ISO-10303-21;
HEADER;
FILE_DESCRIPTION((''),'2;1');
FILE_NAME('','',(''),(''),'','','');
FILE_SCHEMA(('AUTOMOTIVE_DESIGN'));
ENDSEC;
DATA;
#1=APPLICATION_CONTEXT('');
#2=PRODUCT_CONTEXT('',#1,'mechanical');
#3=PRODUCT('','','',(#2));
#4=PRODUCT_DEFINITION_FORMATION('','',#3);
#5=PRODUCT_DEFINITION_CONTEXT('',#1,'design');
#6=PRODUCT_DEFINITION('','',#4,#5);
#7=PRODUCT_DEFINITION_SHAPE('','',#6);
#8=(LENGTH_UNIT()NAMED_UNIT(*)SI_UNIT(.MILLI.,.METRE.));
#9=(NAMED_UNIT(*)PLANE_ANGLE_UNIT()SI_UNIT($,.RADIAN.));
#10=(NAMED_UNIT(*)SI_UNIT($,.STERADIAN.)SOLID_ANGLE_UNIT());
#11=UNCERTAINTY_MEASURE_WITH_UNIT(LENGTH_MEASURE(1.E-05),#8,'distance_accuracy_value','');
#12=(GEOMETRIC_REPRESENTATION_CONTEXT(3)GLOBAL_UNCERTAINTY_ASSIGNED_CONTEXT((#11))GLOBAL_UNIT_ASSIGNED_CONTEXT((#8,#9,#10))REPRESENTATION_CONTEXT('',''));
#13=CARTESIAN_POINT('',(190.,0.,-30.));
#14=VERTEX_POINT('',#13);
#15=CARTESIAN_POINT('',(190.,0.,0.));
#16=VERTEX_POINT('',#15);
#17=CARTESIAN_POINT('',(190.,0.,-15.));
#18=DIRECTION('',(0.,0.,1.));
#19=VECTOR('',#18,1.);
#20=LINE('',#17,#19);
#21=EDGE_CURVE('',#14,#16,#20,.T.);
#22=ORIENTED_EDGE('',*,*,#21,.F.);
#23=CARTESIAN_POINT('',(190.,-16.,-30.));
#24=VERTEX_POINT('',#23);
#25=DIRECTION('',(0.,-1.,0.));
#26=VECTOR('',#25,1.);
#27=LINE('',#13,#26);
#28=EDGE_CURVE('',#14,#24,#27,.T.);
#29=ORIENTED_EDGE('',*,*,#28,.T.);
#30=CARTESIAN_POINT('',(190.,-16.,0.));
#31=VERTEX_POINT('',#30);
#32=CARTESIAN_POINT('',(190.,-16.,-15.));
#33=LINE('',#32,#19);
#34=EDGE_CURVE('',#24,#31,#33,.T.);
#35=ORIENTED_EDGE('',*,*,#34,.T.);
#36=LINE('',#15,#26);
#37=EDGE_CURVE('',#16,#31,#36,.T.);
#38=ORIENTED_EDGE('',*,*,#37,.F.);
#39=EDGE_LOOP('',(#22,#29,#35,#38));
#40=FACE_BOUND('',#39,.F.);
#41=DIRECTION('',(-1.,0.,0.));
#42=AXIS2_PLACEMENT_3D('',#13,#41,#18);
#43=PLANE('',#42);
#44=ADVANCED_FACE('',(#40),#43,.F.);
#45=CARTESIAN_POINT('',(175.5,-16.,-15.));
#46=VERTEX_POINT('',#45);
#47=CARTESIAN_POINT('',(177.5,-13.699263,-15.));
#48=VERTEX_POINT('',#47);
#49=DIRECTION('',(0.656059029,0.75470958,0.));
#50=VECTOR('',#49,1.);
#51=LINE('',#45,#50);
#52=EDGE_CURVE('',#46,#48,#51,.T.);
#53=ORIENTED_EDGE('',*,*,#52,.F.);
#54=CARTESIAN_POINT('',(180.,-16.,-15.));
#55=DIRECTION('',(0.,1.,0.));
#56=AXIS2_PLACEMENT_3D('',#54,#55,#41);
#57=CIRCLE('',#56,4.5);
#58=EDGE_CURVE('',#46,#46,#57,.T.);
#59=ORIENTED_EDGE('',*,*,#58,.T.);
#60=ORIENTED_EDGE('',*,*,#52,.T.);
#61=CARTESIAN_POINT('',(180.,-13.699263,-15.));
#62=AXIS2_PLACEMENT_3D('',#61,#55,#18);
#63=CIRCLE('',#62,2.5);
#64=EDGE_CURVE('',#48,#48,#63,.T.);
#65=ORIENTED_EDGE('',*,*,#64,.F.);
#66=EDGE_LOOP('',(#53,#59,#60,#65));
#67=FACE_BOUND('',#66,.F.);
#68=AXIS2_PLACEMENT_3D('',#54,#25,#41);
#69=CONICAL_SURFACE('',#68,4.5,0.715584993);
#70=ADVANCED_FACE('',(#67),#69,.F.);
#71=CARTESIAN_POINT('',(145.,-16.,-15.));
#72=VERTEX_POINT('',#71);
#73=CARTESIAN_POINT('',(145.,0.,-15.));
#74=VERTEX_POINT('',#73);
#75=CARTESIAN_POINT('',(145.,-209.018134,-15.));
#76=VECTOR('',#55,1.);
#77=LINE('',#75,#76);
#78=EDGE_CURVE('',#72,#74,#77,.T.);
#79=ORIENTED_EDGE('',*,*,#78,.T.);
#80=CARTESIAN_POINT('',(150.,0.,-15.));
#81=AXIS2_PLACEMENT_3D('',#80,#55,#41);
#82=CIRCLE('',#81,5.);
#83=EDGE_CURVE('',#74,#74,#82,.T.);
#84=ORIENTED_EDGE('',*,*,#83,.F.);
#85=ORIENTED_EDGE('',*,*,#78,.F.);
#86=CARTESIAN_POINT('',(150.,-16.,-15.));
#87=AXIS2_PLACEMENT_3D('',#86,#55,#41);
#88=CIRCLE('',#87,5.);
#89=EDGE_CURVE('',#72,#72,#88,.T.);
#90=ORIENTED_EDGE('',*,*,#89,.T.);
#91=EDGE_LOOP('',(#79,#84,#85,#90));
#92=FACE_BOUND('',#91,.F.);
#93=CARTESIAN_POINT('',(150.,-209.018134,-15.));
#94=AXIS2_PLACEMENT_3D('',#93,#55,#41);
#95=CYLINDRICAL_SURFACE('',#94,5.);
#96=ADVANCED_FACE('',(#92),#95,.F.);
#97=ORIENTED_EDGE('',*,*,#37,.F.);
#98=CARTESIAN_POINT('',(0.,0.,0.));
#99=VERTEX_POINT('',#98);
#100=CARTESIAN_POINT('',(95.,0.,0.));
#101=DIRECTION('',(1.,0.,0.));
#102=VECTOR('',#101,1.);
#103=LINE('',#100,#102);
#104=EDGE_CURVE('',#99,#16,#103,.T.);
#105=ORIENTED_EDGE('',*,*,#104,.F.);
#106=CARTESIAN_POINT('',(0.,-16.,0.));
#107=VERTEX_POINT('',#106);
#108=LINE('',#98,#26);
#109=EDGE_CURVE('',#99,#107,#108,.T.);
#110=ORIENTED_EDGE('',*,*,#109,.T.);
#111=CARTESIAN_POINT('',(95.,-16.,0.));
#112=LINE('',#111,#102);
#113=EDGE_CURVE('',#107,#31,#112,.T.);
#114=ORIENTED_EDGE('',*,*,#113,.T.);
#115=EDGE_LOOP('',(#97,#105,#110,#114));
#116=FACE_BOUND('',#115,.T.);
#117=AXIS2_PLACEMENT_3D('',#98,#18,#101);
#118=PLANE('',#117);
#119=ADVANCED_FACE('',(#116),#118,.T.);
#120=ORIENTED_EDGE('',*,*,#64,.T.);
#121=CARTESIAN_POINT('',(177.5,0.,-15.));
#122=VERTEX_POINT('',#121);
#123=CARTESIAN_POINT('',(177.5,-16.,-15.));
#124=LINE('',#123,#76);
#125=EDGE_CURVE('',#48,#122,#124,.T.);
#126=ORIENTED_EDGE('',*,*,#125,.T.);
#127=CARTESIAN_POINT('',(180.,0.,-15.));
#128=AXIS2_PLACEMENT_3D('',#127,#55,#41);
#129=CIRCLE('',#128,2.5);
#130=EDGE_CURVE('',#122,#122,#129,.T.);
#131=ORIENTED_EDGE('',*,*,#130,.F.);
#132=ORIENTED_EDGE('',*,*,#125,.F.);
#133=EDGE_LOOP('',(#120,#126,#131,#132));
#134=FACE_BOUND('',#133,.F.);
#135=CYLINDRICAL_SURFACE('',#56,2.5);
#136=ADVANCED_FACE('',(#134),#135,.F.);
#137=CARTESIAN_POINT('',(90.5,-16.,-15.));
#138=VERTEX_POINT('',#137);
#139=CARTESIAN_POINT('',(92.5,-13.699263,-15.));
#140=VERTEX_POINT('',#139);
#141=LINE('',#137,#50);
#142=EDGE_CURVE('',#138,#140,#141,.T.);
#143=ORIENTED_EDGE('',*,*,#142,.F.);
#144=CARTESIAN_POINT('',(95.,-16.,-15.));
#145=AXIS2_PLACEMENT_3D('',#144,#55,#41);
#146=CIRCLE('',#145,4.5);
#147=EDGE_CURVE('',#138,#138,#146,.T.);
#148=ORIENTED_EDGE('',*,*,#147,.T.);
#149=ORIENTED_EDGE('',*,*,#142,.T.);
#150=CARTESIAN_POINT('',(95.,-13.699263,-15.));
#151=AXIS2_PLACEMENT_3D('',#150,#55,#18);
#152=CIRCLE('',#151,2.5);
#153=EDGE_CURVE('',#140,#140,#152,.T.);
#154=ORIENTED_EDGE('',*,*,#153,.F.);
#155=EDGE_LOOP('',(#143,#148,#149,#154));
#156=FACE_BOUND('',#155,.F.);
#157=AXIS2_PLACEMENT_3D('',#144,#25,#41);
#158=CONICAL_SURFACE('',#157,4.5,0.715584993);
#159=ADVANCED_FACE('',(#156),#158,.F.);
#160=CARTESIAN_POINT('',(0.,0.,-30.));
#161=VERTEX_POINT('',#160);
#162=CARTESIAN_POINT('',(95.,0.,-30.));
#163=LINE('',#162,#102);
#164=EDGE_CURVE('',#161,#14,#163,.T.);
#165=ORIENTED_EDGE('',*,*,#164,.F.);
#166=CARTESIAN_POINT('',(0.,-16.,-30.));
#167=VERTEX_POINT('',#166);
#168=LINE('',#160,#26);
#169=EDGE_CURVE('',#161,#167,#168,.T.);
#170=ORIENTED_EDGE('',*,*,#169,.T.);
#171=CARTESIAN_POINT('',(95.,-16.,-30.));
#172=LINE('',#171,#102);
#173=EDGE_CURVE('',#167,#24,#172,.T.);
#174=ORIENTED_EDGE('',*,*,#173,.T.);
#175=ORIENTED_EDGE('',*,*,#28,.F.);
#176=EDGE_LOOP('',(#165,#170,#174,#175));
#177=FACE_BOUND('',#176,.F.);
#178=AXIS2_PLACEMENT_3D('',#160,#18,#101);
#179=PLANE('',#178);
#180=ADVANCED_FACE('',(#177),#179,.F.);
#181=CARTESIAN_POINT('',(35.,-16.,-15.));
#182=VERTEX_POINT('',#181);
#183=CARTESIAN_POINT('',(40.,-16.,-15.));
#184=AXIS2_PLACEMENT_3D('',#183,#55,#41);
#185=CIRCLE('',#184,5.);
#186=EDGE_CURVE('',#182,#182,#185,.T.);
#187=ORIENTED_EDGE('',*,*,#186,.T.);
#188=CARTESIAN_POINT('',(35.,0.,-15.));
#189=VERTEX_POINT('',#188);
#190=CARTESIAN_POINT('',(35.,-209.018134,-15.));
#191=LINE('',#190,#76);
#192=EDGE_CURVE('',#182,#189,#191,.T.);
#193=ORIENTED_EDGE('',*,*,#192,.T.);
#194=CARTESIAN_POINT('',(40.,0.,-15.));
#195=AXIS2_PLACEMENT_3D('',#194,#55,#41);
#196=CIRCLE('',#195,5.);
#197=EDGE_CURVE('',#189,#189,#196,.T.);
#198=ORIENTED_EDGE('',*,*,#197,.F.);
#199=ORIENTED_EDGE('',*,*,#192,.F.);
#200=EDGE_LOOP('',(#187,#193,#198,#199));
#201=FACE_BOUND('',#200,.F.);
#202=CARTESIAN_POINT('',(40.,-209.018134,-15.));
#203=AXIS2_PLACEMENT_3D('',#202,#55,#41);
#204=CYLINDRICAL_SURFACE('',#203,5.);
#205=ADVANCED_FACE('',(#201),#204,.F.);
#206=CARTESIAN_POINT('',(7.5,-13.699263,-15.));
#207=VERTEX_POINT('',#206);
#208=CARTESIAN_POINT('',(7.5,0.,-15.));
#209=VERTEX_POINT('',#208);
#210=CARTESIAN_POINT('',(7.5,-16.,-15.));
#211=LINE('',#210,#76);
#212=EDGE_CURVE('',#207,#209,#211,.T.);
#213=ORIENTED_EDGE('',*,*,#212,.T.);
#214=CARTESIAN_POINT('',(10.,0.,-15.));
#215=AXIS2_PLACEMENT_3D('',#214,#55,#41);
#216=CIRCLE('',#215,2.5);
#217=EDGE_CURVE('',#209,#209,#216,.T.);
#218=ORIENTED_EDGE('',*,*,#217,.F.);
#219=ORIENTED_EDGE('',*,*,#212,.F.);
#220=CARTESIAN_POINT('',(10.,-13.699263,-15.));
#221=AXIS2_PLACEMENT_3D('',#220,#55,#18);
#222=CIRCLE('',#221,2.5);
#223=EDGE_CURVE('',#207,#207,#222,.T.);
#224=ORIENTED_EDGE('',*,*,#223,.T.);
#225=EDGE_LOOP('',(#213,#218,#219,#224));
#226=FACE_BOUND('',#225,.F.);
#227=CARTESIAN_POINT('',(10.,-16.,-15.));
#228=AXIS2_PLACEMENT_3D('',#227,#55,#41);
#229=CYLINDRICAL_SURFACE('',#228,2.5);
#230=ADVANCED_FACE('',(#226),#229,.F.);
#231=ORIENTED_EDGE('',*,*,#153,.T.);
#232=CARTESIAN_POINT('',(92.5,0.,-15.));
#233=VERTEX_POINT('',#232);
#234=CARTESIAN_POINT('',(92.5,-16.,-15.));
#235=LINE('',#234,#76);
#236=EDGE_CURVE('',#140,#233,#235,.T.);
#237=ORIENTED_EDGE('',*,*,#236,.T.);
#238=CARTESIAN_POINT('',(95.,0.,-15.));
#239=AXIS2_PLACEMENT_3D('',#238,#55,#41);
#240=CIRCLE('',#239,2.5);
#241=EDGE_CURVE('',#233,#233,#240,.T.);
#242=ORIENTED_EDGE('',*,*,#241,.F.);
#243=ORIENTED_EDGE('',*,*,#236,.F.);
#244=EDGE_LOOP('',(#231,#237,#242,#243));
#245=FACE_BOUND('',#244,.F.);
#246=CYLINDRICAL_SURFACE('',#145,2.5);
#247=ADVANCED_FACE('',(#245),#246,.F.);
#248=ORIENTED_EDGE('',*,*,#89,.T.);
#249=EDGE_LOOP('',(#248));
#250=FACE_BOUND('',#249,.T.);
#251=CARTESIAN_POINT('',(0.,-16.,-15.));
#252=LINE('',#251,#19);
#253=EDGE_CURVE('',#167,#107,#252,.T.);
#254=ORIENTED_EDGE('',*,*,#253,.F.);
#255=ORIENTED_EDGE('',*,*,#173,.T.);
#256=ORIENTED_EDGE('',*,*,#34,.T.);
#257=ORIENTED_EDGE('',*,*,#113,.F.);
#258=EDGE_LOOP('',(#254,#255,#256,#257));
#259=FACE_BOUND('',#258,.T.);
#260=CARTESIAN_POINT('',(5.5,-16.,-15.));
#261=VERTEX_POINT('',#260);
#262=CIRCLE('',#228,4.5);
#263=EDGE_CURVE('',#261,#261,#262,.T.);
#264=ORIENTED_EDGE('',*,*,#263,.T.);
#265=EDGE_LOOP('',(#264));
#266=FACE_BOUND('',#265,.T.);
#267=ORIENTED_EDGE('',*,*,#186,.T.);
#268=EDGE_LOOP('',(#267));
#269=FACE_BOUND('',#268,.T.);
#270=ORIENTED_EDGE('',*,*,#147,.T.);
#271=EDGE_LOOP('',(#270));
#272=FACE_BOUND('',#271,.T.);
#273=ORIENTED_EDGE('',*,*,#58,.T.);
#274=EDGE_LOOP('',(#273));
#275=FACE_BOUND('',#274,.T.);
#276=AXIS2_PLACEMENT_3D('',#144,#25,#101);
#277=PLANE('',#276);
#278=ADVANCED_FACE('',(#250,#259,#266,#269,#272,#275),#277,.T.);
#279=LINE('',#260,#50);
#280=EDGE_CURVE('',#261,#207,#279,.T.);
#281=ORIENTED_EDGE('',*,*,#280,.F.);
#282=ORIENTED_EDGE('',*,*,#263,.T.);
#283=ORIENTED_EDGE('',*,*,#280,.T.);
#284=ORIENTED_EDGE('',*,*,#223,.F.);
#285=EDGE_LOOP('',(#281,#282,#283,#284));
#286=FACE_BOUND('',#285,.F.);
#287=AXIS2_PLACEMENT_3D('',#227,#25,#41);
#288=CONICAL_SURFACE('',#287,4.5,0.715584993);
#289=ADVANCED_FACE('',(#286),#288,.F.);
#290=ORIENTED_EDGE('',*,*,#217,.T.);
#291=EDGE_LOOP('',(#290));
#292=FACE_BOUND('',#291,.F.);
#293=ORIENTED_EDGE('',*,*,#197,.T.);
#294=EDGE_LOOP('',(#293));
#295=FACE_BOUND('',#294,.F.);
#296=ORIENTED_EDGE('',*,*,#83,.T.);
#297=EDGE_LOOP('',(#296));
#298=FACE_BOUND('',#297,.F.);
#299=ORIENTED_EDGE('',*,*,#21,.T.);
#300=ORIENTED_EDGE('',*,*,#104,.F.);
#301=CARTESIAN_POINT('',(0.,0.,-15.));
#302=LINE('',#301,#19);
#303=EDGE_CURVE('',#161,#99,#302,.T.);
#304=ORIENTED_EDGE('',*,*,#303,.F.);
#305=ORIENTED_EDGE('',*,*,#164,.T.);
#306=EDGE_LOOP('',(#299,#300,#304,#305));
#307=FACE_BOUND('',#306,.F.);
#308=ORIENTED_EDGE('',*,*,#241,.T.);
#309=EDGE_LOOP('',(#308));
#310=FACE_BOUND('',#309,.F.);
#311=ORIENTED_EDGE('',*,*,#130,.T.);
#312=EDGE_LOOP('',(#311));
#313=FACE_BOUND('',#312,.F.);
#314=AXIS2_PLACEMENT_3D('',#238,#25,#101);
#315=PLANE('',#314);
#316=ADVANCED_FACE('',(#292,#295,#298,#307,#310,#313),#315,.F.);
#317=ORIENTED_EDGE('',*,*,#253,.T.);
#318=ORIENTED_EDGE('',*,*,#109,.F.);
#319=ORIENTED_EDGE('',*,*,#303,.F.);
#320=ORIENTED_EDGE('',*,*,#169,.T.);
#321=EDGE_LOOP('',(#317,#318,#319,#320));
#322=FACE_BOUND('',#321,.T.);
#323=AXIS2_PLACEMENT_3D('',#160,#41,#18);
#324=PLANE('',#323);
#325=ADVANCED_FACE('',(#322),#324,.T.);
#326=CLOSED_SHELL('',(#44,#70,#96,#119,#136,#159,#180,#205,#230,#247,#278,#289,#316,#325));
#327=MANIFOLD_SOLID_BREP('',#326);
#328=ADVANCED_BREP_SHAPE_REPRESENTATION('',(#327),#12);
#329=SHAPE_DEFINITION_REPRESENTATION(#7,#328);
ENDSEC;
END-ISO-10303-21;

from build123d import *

# Parameters (mm, degrees)
F0_W           = 190
F0_H           = 30
F1_DEPTH       = 16
F3_D           = 5
F3_CSINK_D     = 9
F3_CSINK_ANGLE = 82
F4_D           = 10
F6_D           = 10


with BuildPart() as f1:
    # F0 (on Front) → F1 (new body)
    with BuildSketch(Plane.XZ):
        with Locations((95, -15)):
            Rectangle(F0_W, F0_H)
    extrude(amount=F1_DEPTH)

    # F3 (through all)
    with Locations(Plane.XZ.offset(16)):
        with Locations((10, -15), (95, -15), (180, -15), (180, -15)):
            CounterSinkHole(F3_D / 2, F3_CSINK_D / 2, counter_sink_angle=F3_CSINK_ANGLE)

    # F4 (through all)
    with Locations(Plane.XZ.offset(16)):
        with Locations((40, -15), (156, -52.788887)):
            Hole(F4_D / 2)

    # F6 (through all)
    with Locations(Plane.XZ.offset(16)):
        with Locations((150, -15)):
            Hole(F6_D / 2)


solid = f1.part
